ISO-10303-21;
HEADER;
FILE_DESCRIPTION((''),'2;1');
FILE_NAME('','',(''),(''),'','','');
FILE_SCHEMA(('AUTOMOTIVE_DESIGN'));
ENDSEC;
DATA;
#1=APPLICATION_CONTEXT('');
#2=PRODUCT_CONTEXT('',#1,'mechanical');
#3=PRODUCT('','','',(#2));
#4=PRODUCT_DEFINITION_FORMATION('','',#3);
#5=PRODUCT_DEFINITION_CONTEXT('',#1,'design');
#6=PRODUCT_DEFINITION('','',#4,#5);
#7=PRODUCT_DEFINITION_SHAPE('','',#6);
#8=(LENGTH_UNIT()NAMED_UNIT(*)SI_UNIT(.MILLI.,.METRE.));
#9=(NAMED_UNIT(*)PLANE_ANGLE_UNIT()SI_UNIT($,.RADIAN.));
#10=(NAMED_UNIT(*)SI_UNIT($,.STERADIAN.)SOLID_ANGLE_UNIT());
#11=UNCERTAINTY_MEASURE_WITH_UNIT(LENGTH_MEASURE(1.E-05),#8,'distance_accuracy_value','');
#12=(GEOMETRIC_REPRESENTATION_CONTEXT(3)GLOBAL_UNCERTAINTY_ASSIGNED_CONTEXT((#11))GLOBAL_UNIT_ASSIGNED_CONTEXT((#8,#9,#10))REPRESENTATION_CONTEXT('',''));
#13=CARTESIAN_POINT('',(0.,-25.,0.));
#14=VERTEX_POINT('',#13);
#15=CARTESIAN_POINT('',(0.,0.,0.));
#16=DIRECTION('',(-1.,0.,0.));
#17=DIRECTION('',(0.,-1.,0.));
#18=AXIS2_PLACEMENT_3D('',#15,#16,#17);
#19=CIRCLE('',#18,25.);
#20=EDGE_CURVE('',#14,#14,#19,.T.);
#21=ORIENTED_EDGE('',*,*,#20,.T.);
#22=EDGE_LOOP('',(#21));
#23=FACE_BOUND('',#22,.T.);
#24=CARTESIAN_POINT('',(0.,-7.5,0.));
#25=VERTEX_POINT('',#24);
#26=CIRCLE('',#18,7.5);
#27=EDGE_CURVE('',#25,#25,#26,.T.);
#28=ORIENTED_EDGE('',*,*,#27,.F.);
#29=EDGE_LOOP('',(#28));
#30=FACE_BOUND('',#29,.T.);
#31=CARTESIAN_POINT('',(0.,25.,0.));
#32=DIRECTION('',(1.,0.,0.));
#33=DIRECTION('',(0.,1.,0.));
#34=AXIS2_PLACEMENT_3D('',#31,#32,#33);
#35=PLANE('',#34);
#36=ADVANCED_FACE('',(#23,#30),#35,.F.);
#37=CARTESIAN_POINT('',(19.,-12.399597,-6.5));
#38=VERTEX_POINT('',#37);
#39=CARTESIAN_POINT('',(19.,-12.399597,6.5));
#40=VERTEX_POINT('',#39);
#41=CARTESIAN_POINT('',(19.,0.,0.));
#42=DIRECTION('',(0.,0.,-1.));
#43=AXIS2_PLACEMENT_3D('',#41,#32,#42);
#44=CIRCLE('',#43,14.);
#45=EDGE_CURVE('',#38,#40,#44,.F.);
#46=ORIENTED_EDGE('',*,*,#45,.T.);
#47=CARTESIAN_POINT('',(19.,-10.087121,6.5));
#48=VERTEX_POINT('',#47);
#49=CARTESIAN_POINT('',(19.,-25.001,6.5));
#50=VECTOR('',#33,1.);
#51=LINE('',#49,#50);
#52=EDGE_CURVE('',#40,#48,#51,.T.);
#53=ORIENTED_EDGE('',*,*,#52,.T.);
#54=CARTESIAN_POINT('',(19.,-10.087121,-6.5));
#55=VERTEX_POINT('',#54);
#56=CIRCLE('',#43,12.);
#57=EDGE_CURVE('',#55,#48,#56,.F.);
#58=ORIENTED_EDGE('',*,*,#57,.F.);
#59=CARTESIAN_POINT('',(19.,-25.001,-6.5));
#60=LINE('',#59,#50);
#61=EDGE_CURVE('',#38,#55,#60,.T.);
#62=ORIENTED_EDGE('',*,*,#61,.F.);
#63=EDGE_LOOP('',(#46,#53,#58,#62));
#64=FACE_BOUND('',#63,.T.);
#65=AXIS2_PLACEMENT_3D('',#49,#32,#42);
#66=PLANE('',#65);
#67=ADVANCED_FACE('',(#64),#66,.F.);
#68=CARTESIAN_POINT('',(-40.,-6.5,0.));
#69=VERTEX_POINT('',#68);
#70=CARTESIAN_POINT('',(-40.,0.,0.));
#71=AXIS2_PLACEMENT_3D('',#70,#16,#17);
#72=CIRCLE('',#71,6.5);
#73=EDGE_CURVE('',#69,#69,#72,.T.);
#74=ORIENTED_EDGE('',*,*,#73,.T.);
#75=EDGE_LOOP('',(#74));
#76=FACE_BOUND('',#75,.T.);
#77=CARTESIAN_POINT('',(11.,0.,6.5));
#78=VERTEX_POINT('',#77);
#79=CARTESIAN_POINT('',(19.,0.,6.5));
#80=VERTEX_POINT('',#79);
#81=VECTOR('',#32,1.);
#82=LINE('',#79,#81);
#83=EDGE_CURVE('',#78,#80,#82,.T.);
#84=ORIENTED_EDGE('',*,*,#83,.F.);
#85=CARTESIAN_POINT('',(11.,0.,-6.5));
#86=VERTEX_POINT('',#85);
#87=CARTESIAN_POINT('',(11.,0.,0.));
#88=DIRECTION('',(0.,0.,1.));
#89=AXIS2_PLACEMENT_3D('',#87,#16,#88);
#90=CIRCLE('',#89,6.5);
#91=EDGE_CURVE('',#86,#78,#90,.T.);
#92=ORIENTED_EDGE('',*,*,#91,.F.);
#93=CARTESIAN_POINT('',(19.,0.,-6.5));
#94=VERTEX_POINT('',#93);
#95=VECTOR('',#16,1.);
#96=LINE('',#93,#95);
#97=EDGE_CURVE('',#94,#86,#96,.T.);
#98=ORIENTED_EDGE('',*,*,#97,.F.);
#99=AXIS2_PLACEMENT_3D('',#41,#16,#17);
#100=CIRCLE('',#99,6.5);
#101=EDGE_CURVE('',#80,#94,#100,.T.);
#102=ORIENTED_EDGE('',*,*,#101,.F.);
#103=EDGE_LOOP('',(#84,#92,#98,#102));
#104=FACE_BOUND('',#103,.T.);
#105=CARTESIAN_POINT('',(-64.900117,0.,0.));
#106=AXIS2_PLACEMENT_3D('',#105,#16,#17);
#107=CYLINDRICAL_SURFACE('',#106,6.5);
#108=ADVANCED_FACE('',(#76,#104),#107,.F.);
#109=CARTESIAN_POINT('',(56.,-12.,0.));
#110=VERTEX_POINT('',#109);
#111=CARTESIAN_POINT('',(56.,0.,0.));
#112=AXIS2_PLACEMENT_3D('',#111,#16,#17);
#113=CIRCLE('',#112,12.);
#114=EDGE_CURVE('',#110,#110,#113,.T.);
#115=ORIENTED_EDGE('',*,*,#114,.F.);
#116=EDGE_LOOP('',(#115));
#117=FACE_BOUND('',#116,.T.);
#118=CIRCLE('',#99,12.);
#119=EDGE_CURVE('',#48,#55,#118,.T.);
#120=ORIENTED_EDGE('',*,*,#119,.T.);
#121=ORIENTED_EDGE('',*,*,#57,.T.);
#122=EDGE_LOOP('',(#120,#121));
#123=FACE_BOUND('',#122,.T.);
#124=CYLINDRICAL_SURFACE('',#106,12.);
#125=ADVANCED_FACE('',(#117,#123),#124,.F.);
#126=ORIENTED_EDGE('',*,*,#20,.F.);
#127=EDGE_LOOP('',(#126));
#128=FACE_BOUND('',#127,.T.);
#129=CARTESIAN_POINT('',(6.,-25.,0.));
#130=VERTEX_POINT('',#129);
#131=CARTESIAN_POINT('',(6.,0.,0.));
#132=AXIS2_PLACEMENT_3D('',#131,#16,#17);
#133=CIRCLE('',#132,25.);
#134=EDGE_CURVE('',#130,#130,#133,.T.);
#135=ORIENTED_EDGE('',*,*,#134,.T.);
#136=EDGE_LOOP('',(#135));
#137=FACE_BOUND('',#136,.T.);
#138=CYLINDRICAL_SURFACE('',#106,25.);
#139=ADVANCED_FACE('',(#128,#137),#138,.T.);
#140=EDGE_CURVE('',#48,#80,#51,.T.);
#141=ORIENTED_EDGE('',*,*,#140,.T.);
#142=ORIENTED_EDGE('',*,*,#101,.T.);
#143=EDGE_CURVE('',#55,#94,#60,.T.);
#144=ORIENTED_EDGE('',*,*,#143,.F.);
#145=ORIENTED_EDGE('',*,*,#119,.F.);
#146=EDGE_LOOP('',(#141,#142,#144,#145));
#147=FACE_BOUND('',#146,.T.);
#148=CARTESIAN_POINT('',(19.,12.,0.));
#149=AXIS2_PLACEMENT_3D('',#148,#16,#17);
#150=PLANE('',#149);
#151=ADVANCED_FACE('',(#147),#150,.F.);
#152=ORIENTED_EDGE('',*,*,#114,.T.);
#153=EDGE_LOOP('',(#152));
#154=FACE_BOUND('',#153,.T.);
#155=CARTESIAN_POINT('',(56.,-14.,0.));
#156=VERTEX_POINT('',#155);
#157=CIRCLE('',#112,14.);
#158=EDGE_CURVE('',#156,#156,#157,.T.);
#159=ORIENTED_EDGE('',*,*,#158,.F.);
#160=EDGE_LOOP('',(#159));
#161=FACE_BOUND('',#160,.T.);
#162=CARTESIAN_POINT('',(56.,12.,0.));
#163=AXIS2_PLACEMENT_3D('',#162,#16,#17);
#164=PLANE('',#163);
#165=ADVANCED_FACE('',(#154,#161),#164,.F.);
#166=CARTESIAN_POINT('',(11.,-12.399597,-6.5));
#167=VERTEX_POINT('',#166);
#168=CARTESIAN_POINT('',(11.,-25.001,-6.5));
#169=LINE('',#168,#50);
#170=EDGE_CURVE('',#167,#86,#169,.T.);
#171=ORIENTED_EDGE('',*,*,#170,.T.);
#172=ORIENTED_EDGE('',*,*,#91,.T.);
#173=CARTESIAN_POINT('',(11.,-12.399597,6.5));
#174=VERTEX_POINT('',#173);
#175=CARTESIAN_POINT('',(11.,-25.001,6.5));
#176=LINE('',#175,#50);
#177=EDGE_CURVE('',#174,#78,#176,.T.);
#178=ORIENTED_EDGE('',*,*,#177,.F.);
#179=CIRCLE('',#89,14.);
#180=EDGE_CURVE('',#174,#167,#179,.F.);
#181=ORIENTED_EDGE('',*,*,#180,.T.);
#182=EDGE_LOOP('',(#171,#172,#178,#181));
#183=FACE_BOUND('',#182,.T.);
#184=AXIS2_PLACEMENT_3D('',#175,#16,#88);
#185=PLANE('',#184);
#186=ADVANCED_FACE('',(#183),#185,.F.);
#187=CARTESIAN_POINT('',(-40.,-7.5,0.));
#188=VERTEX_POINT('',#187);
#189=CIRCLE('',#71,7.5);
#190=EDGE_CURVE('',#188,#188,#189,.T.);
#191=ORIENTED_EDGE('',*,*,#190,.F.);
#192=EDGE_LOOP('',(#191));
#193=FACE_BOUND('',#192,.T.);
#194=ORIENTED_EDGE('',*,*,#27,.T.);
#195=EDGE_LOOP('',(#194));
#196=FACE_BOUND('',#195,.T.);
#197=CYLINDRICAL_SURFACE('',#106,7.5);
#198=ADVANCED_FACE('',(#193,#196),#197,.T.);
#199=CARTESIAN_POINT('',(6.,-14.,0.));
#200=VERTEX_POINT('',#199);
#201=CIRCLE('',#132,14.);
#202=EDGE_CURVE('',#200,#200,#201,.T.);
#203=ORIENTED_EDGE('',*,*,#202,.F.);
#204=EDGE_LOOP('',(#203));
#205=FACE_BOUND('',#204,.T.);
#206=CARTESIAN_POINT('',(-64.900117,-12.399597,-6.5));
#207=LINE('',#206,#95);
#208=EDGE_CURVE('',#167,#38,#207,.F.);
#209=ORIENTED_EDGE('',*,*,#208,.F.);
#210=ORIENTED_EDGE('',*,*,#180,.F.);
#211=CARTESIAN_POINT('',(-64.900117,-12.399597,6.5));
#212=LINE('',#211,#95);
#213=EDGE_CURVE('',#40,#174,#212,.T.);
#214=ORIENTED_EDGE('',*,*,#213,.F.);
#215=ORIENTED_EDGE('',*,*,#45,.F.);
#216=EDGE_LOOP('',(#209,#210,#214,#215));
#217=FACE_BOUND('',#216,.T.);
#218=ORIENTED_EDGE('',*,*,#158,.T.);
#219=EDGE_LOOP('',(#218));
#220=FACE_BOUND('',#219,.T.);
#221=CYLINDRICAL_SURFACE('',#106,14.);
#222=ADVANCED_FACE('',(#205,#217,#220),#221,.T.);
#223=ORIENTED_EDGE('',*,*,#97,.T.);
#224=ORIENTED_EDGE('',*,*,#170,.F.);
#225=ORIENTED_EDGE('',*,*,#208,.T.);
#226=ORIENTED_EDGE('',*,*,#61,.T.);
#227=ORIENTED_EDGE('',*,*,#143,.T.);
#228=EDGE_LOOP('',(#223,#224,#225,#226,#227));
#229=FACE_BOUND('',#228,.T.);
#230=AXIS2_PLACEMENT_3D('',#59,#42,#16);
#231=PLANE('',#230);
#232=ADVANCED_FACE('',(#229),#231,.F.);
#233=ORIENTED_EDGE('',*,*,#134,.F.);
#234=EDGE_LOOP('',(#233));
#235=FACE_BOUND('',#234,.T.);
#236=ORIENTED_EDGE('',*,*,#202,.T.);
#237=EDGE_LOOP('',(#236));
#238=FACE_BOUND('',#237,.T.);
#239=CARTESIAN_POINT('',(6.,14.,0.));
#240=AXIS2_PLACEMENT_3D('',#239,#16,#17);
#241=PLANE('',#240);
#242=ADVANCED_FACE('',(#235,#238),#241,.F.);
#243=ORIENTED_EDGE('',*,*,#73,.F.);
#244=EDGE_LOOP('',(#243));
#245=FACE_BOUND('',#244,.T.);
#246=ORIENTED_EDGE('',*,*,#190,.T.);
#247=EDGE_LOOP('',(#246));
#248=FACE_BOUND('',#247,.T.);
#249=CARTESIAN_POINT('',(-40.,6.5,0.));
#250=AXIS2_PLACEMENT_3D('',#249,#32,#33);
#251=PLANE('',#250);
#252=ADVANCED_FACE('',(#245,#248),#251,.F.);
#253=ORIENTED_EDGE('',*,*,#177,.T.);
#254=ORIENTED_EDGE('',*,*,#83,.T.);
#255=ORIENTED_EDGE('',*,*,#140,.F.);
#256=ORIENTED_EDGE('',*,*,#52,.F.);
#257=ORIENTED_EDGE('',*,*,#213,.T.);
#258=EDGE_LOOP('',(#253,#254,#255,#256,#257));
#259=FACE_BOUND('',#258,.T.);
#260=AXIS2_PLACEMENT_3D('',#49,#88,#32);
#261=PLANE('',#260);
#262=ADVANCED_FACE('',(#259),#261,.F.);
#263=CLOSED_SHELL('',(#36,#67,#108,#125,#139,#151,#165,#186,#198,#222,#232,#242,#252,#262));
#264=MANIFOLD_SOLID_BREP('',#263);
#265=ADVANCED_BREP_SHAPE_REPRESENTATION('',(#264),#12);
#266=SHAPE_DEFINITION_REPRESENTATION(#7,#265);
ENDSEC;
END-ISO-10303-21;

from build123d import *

# Parameters (mm, degrees)
CUT_EXTRUDE1_REACH = 68.227
SKETCH4_W          = 8
SKETCH4_H          = 13


with BuildPart() as part:
    # Sketch1 → Revolve1 (revolve)
    with BuildSketch(Plane.XY, mode=Mode.PRIVATE) as revolve1_sk:
        Polygon((0, 25), (0, 7.5), (-40, 7.5), (-40, 6.5), (19, 6.5), (19, 12), (56, 12), (56, 14), (6, 14), (6, 25), align=None)
    revolve(revolve1_sk.sketch.rotate(Axis((-64.900117457, 0, 0), (1, 0, 0)), 180), axis=Axis((-64.900117457, 0, 0), (1, 0, 0)))

    # Sketch4 → Cut-Extrude1 (cut, up to next)
    with BuildSketch(Plane(origin=(0, 0, 0), x_dir=(1, 0, 0), z_dir=(0, 1, 0)), mode=Mode.PRIVATE) as cut_extrude1_sk1:
        with Locations((15, 0)):
            Rectangle(SKETCH4_W, SKETCH4_H)
    cut_extrude1_tool1 = extrude(cut_extrude1_sk1.sketch, amount=-CUT_EXTRUDE1_REACH, mode=Mode.PRIVATE) & part.part
    add(cut_extrude1_tool1.solids().sort_by_distance((15, 0, 0))[0], mode=Mode.SUBTRACT)


solid = part.part
